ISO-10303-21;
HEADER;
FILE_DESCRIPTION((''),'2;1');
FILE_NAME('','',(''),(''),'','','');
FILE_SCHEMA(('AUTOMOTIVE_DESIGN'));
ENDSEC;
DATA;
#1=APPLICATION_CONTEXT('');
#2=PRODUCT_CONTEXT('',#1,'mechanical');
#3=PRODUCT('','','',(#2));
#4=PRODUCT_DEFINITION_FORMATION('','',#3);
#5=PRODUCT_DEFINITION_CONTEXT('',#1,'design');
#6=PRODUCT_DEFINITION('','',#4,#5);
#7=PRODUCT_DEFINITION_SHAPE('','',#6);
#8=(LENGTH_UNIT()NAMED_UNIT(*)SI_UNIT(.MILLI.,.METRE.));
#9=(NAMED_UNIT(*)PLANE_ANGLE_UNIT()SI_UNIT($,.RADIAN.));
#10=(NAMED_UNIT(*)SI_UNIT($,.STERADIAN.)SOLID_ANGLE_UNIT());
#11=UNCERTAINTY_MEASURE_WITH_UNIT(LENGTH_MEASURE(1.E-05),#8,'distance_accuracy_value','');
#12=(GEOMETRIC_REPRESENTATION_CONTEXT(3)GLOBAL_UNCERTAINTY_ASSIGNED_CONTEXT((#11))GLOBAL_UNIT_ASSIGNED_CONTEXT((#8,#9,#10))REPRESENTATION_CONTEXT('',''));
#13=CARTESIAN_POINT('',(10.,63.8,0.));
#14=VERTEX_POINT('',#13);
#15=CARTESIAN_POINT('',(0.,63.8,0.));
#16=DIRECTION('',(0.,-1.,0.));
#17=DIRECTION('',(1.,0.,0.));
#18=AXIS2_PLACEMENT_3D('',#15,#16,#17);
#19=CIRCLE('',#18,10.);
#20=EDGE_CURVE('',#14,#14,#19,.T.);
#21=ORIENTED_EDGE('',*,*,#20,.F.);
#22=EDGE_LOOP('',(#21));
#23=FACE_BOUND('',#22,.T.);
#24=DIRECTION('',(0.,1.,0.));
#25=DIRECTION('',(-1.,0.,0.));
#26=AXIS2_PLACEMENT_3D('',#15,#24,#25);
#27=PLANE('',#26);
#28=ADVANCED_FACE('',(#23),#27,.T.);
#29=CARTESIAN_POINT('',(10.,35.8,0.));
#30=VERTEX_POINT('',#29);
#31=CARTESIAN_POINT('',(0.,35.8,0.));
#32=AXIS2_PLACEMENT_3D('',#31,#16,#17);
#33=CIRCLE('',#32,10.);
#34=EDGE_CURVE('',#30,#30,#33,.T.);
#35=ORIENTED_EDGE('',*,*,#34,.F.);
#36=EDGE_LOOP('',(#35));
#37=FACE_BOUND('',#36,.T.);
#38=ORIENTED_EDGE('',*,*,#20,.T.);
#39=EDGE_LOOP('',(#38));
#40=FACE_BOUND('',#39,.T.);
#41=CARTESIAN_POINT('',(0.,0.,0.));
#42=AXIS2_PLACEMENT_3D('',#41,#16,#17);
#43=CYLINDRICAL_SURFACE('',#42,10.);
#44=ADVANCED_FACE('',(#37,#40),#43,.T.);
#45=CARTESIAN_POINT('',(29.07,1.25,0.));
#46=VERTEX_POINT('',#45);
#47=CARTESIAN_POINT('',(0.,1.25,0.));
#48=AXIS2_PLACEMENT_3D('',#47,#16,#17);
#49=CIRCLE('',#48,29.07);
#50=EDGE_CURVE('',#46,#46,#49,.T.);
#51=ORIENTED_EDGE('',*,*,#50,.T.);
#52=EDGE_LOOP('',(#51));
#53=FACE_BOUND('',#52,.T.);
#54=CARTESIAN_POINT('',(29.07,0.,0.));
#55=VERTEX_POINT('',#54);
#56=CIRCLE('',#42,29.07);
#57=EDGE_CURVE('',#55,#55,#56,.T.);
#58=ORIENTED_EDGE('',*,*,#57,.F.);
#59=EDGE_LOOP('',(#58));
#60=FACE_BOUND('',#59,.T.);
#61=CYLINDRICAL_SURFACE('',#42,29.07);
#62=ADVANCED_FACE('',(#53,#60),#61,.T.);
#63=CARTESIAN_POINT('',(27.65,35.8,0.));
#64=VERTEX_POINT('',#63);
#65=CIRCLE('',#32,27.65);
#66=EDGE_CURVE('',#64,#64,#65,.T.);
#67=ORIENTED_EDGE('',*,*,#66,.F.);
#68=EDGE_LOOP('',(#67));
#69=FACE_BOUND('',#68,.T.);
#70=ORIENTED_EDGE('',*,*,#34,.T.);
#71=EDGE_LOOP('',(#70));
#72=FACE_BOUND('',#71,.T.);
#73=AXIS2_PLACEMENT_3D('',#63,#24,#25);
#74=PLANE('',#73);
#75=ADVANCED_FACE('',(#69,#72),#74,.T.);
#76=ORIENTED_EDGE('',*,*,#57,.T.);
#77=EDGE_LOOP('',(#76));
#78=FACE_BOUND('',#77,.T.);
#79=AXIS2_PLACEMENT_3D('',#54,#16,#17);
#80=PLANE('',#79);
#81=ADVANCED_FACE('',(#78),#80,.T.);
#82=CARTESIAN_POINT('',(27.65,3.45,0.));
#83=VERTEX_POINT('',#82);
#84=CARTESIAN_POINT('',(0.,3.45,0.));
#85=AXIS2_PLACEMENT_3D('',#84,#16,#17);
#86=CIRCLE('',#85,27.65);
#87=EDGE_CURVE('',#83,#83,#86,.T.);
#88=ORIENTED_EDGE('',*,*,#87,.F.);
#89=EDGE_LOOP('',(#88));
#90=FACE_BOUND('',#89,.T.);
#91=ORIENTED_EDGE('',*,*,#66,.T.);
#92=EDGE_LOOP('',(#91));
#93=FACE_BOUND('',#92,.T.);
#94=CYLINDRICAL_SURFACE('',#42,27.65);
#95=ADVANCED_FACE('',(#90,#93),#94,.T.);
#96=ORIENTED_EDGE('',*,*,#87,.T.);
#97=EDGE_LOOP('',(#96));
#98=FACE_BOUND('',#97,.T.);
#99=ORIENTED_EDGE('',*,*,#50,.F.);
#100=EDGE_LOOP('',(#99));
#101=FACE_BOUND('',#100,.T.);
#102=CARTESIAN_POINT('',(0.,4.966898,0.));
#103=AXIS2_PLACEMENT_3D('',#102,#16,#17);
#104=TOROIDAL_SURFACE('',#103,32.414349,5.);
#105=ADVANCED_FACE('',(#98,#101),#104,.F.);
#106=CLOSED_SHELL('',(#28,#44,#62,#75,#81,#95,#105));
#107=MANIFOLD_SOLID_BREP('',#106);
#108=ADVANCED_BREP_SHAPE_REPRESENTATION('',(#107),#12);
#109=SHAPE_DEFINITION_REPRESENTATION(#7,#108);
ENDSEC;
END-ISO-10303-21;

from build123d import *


with BuildPart() as part:
    # Sketch1 → Revolve1 (revolve)
    with BuildSketch(Plane.XY):
        with BuildLine():
            Line((29.07, 0), (29.07, 1.25))
            ThreePointArc((29.07, 1.25), (28.213426978, 2.255393777), (27.65, 3.45))
            Line((27.65, 3.45), (27.65, 35.8))
            Line((27.65, 35.8), (10, 35.8))
            Line((10, 35.8), (10, 63.8))
            Line((10, 63.8), (0, 63.8))
            Line((0, 63.8), (0, 0))
            Line((0, 0), (29.07, 0))
        make_face()
    revolve(axis=Axis((0, 0, 0), (0, 1, 0)))


solid = part.part
